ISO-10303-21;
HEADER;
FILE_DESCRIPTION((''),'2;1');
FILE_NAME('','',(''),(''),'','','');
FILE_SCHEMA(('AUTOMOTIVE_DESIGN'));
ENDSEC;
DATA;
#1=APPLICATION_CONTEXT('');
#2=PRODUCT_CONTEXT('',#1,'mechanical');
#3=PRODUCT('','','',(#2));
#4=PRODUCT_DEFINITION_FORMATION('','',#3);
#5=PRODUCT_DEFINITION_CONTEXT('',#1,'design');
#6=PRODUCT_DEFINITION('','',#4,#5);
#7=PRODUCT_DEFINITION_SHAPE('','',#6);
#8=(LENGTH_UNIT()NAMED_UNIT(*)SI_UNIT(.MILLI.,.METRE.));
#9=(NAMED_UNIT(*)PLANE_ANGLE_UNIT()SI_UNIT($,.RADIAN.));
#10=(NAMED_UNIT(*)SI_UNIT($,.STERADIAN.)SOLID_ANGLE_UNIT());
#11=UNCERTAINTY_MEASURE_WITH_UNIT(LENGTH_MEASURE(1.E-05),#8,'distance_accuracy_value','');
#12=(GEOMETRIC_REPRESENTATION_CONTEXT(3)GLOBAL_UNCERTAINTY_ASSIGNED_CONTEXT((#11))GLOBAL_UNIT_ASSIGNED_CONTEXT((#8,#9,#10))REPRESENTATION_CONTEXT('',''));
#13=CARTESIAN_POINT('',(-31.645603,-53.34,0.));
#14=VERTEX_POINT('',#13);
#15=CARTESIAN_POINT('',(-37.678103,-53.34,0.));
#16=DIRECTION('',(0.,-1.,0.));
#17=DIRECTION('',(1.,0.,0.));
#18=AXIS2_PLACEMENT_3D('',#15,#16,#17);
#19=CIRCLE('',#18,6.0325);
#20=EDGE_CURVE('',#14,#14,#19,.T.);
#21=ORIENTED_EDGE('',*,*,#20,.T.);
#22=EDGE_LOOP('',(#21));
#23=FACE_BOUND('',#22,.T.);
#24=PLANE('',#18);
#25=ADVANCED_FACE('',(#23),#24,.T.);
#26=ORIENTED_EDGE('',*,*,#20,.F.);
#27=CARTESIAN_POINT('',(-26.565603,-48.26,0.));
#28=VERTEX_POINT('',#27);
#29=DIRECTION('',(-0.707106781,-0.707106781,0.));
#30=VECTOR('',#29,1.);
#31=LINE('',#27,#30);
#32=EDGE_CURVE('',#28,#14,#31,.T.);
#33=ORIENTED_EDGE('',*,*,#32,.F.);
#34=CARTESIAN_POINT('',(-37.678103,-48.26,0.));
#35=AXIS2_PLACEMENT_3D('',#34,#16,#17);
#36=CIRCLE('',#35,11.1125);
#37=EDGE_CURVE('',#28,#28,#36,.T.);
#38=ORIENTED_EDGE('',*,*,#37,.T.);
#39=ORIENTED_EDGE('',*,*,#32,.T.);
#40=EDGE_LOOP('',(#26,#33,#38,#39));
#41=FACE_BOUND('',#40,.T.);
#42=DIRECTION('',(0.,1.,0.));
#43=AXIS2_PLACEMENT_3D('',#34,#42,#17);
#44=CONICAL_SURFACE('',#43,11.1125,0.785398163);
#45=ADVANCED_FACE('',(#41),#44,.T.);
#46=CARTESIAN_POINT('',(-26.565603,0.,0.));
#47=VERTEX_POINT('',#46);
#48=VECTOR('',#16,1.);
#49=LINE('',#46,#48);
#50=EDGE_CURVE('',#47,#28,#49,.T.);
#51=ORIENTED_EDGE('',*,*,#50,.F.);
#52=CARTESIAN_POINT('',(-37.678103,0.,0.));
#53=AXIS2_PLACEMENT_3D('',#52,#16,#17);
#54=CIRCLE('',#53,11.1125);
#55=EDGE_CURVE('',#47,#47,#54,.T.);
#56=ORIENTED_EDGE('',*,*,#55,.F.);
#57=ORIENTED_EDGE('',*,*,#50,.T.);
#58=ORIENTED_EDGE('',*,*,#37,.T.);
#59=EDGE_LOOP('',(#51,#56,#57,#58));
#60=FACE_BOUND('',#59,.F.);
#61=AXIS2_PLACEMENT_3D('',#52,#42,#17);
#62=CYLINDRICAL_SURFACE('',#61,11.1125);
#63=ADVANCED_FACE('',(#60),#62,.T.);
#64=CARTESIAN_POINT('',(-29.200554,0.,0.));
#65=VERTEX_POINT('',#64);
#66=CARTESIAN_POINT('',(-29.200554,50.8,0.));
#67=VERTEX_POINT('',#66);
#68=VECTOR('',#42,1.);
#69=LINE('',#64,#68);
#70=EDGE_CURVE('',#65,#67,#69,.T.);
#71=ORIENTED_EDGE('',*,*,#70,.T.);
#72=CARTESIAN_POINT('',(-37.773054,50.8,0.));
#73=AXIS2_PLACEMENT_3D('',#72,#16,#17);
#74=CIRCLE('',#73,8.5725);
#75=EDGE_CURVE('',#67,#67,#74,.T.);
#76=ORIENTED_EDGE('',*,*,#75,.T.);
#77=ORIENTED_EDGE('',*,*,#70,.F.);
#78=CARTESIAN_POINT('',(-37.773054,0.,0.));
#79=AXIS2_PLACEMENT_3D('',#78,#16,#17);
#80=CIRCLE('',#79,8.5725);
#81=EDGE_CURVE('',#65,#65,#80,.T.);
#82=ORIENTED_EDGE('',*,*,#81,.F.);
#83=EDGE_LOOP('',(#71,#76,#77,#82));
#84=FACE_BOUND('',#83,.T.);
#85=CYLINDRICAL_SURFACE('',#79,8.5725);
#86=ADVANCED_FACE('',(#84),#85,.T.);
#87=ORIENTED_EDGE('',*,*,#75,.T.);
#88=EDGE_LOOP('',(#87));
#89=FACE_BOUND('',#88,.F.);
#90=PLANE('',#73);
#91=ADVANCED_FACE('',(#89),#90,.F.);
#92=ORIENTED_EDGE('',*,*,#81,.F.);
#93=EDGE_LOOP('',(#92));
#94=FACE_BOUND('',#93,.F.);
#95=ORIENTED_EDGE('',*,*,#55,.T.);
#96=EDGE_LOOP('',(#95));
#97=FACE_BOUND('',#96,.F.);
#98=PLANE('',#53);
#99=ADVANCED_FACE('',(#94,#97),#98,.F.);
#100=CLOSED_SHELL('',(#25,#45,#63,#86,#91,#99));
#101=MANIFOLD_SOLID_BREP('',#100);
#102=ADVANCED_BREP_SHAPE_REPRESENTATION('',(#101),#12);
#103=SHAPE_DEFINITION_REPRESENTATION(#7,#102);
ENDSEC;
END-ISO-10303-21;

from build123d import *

# Parameters (mm, degrees)
F0_R     = 11.1125
F1_DEPTH = 53.34
F2_SIZE  = 5.08
F3_R     = 8.5725
F4_DEPTH = 50.8


with BuildPart() as f1:
    # F0 (on Front) → F1 (new body)
    with BuildSketch(Plane.XZ):
        with Locations((-37.678103, 0)):
            Circle(F0_R)
    extrude(amount=F1_DEPTH)

    # F2
    f2_edges = [f1.edges().sort_by_distance(p)[0] for p in [
        (-48.790603, -53.34, 0),
    ]]
    chamfer(f2_edges, length=F2_SIZE)

    # F3 (on face) → F4 (join)
    with BuildSketch(Plane.XZ):
        with Locations((-37.773054, 0)):
            Circle(F3_R)
    extrude(amount=-F4_DEPTH)


solid = f1.part
